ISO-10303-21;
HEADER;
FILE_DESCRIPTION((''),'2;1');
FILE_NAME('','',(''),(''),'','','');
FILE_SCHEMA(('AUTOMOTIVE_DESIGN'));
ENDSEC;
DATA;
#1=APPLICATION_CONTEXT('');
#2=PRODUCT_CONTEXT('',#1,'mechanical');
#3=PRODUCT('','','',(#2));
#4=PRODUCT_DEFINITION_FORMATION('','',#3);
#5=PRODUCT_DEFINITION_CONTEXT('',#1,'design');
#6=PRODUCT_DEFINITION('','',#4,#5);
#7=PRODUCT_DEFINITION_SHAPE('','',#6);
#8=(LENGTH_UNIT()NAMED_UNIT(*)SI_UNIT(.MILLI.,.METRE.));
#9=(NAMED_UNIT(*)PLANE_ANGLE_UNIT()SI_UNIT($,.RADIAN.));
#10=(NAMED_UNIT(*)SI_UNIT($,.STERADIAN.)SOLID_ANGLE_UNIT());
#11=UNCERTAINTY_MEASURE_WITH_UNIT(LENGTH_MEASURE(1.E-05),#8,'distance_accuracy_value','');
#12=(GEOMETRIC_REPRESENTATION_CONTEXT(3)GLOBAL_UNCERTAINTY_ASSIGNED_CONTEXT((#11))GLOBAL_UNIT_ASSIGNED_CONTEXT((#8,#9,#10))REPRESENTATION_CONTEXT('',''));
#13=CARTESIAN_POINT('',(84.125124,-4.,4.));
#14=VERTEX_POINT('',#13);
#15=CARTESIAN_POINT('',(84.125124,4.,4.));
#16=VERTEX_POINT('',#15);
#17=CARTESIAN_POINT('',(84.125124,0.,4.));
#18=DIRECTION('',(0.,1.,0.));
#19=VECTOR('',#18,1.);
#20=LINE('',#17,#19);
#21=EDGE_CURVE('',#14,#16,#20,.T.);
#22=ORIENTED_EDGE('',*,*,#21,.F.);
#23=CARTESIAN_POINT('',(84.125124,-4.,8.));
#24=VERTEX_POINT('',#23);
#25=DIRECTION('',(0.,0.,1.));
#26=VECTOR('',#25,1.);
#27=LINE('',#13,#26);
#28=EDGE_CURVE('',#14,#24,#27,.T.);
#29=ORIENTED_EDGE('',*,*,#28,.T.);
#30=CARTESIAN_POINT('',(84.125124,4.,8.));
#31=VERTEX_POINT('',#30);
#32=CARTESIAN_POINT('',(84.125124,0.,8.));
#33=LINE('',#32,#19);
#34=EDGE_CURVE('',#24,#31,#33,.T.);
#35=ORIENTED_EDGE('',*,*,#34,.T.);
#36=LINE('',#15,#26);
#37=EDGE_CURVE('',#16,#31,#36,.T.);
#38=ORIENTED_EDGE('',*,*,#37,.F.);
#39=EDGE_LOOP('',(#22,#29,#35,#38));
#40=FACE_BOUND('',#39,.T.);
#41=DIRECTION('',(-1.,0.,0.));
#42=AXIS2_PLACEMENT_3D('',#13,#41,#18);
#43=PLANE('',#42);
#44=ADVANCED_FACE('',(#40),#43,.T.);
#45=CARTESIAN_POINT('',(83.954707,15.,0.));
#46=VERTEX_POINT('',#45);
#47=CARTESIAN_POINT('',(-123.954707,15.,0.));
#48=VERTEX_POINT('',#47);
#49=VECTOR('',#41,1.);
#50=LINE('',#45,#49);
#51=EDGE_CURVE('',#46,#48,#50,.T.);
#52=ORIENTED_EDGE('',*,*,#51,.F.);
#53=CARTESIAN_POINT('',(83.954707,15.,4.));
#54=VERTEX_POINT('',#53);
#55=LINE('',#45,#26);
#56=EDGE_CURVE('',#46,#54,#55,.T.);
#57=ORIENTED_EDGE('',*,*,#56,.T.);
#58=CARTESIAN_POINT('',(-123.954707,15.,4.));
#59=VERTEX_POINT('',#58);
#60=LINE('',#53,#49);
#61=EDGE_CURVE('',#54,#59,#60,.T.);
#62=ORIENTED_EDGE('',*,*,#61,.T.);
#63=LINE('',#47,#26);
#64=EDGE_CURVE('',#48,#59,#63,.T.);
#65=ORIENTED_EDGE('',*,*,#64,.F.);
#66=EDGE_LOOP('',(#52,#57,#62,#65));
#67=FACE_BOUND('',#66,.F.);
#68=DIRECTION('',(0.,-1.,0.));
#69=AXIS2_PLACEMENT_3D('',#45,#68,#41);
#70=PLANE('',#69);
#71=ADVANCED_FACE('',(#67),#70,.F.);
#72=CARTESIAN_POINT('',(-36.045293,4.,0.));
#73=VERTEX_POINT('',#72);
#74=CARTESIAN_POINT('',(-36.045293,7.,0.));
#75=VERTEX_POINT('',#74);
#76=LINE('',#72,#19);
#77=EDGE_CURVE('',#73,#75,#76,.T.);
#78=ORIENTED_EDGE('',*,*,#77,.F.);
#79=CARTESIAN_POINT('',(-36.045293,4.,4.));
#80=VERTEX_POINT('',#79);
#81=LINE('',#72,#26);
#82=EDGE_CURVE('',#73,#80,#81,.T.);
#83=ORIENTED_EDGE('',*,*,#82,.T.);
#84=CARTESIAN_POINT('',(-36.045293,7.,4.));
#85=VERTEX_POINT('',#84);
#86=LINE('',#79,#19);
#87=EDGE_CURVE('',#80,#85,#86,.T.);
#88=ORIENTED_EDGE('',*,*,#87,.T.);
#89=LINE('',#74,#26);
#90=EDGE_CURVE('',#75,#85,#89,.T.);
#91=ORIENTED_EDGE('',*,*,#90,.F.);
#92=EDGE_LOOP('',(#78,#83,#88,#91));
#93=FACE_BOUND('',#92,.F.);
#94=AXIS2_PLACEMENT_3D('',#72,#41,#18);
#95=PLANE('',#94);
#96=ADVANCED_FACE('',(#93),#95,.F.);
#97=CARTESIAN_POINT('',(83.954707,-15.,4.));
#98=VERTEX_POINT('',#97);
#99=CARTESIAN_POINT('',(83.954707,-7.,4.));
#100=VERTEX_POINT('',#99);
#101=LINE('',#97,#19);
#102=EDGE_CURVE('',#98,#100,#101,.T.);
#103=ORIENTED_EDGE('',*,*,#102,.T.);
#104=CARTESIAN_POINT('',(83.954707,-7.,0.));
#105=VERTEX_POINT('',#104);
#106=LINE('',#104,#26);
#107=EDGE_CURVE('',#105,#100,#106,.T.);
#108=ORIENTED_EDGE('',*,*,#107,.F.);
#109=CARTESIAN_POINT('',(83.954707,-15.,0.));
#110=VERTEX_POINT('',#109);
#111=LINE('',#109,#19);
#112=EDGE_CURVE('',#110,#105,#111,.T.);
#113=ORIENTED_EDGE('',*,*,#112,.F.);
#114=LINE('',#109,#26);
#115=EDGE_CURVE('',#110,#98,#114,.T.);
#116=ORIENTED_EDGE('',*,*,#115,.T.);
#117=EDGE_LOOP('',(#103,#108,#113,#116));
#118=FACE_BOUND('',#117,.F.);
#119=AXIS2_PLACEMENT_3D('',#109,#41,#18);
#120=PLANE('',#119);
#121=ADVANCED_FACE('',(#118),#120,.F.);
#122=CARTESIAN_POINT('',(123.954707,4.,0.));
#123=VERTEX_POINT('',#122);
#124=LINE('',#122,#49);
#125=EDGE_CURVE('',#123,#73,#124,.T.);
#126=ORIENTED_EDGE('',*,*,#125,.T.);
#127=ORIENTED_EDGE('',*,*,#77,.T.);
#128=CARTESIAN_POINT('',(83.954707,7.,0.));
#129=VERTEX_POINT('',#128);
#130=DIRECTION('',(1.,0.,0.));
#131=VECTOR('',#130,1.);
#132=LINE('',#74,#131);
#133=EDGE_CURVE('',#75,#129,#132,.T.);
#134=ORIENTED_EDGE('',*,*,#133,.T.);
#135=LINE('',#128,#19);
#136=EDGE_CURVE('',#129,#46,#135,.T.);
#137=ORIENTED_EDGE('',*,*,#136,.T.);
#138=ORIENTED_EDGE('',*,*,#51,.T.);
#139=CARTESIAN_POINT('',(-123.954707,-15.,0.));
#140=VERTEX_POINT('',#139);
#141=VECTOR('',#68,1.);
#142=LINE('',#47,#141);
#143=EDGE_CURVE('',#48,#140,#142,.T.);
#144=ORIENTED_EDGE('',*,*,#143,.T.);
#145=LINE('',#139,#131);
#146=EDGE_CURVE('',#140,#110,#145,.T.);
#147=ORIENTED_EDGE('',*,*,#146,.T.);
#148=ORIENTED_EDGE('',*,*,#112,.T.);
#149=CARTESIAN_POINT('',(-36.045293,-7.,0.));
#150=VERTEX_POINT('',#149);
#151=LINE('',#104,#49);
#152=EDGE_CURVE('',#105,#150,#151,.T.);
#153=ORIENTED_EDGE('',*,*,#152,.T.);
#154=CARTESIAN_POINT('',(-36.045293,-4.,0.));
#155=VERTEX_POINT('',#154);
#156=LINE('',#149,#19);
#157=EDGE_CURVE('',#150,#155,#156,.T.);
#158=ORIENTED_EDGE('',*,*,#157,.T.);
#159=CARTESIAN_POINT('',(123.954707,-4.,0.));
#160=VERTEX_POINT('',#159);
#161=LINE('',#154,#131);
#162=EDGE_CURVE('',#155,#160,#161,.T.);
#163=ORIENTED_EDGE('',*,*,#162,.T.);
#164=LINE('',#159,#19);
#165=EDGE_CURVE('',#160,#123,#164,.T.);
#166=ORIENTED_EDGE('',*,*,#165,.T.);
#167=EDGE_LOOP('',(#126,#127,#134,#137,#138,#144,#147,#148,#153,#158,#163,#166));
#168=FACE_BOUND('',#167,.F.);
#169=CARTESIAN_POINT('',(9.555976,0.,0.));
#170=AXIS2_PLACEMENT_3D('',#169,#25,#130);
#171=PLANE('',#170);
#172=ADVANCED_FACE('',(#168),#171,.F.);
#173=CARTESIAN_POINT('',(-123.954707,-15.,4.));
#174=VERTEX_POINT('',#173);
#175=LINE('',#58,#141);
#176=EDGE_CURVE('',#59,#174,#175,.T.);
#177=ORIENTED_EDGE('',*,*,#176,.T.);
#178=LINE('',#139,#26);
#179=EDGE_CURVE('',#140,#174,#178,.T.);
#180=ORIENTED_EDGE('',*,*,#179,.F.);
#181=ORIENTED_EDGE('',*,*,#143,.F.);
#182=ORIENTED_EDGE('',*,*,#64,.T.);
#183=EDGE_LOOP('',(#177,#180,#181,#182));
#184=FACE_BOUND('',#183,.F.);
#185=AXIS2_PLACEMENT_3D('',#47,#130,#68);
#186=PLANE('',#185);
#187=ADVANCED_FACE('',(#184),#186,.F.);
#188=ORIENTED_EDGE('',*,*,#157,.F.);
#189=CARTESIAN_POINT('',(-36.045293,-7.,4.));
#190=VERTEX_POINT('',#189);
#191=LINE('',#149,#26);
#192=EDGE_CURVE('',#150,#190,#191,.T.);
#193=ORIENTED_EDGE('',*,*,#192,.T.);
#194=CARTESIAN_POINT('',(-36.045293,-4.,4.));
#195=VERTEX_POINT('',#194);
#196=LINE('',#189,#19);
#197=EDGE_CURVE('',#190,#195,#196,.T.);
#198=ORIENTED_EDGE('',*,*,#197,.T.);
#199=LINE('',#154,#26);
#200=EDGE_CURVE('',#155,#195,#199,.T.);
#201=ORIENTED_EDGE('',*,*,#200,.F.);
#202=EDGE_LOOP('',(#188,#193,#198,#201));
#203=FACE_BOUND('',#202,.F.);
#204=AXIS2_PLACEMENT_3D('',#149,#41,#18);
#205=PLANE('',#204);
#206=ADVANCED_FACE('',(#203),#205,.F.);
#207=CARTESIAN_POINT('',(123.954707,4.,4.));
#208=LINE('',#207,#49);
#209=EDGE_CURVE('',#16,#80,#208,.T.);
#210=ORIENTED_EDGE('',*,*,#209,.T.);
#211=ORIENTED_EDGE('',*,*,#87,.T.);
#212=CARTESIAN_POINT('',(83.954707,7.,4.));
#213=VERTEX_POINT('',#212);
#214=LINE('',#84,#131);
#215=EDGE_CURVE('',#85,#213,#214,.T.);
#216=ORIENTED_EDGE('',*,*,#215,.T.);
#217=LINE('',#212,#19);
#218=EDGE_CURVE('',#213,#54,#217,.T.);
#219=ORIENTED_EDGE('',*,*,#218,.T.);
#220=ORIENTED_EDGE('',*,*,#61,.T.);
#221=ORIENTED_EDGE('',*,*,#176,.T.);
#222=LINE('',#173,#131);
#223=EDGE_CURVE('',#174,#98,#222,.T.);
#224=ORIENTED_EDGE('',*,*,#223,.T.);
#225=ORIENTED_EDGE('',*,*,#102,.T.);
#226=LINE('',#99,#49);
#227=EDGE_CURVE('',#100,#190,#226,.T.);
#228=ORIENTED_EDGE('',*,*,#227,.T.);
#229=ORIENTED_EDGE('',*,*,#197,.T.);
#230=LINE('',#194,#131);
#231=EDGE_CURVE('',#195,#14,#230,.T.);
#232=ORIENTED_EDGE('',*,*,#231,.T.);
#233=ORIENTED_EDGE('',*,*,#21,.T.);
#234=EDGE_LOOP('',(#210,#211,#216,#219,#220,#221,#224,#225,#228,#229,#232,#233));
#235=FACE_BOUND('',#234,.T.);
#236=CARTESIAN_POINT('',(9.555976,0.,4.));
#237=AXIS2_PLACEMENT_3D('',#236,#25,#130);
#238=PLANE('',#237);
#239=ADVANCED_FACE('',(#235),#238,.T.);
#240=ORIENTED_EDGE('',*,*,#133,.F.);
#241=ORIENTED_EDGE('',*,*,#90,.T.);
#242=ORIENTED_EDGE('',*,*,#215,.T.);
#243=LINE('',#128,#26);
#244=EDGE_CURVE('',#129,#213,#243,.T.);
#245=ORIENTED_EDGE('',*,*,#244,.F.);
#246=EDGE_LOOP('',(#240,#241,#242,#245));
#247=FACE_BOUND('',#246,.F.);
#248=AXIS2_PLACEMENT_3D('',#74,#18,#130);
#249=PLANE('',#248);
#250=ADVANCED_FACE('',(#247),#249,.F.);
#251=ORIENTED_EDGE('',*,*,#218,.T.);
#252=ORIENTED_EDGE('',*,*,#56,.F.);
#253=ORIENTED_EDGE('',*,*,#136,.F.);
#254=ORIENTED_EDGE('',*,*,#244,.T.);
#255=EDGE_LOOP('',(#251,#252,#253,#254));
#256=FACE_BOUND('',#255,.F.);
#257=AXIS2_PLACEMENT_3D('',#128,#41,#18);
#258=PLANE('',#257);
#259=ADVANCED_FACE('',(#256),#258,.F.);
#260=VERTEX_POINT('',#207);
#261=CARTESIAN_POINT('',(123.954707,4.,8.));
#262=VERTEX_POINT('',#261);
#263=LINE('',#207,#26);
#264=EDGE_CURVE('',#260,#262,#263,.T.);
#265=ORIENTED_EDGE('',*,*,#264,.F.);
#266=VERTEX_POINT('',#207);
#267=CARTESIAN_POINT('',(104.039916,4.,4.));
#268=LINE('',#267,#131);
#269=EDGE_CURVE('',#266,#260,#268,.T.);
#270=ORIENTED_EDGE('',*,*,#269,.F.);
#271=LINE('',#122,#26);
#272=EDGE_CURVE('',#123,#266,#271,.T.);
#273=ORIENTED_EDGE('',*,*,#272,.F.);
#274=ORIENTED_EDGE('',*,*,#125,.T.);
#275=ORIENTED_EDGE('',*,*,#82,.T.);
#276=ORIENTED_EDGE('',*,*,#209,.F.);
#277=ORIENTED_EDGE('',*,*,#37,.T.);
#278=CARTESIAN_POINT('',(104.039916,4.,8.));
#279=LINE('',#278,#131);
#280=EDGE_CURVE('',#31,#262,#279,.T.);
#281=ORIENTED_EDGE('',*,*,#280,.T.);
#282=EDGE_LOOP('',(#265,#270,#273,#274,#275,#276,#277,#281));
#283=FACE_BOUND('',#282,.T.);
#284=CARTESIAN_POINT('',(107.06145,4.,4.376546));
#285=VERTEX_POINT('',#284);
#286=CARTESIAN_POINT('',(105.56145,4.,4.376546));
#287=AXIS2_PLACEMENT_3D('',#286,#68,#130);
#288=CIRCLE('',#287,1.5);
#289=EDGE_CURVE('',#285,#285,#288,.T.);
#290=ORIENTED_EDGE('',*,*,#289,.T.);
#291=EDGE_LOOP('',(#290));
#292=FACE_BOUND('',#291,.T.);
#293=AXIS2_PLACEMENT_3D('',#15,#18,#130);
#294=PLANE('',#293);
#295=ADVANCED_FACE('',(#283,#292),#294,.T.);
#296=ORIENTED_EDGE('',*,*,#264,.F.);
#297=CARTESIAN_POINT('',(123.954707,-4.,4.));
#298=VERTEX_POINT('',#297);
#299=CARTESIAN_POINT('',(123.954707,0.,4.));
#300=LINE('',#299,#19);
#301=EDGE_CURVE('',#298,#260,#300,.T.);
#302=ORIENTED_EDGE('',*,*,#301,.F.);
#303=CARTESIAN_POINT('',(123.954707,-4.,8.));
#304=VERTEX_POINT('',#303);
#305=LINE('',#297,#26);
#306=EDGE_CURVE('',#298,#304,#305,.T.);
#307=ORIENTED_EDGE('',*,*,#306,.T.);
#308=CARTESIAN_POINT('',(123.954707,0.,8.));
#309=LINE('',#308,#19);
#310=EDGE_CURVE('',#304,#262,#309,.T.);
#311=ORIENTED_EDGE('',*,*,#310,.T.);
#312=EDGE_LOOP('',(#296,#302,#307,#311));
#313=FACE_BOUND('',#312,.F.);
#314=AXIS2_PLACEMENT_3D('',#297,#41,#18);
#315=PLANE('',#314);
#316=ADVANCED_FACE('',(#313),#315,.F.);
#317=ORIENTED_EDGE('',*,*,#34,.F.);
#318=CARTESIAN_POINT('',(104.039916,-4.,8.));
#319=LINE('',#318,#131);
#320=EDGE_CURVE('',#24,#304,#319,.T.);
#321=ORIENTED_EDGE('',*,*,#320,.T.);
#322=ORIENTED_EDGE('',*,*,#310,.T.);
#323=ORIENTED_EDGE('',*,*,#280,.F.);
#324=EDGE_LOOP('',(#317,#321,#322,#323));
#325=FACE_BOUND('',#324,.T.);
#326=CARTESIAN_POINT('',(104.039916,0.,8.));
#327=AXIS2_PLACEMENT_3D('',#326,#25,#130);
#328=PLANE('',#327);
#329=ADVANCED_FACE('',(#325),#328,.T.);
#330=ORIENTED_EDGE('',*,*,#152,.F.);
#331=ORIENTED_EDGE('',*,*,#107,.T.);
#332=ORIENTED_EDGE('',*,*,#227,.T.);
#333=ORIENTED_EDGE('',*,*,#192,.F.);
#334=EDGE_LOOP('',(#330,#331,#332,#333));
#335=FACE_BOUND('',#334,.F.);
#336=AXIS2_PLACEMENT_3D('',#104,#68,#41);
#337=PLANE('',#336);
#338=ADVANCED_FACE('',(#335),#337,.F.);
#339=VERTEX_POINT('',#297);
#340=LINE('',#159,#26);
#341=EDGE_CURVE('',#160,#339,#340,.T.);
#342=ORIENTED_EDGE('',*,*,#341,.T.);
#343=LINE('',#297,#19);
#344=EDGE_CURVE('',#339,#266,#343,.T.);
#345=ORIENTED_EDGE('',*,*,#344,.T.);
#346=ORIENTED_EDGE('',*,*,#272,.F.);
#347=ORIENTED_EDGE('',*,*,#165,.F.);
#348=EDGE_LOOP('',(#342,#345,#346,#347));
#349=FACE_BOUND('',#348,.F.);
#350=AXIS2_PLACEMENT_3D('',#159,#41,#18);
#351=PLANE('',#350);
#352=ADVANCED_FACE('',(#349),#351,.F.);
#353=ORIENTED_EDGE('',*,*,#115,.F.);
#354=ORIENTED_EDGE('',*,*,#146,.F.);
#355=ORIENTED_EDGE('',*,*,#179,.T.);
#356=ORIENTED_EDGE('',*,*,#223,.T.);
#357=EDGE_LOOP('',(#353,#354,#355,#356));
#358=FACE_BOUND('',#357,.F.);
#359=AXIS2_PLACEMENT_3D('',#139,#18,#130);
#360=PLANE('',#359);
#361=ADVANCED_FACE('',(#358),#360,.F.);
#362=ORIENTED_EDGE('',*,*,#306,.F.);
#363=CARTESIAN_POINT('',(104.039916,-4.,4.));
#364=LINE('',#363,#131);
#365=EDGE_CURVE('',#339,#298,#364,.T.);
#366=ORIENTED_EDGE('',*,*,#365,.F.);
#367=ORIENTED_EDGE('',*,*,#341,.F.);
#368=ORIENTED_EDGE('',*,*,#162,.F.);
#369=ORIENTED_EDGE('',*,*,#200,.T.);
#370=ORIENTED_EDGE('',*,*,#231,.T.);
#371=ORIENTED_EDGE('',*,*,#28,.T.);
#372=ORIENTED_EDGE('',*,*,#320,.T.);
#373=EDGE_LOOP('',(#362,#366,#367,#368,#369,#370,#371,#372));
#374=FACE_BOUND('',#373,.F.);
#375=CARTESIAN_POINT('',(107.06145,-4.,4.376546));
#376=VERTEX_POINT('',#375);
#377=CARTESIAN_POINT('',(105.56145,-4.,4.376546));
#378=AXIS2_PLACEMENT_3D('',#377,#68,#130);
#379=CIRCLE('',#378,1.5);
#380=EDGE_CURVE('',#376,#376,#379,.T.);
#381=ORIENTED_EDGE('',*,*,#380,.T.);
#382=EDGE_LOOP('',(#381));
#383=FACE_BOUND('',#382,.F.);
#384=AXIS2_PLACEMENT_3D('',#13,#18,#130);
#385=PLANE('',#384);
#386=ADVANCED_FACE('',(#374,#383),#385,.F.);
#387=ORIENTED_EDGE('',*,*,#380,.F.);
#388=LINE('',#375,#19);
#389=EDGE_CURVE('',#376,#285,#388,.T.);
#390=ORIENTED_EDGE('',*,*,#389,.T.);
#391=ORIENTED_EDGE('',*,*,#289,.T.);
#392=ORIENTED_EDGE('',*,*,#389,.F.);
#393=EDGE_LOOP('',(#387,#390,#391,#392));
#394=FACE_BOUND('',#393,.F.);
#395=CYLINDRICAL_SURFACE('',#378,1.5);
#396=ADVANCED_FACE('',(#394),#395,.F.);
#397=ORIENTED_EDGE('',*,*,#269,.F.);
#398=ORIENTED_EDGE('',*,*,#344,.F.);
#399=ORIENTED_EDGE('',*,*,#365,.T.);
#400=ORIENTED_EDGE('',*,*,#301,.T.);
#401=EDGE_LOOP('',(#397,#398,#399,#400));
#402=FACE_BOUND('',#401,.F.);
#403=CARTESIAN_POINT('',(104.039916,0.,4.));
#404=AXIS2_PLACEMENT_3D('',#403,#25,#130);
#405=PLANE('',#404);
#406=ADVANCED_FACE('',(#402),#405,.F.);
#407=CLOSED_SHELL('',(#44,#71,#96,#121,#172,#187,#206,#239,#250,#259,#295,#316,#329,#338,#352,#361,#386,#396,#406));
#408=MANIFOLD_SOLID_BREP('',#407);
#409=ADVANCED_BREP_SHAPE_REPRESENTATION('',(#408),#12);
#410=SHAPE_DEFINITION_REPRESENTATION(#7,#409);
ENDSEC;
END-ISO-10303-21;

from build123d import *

# Parameters (mm, degrees)
F1_DEPTH = 4
F2_W     = 39.829583
F2_H     = 8
F3_DEPTH = 4
F4_R     = 1.5
F5_DEPTH = 25


with BuildPart() as f1:
    # F0 (on Top) → F1 (new body)
    with BuildSketch(Plane.XY):
        Polygon((-123.954707, -15), (83.954707, -15), (83.954707, -7), (-36.045293, -7), (-36.045293, -4), (123.954707, -4), (123.954707, 4), (-36.045293, 4), (-36.045293, 7), (83.954707, 7), (83.954707, 15), (-123.954707, 15), align=None)
    extrude(amount=F1_DEPTH)

    # F2 (on face) → F3 (join)
    with BuildSketch(Plane.XY.offset(4)):
        with Locations((104.039916, 0)):
            Rectangle(F2_W, F2_H)
    extrude(amount=F3_DEPTH)

    # F4 (on face) → F5 (cut)
    with BuildSketch(Plane.XZ.offset(4)):
        with Locations((105.56145, 4.376546)):
            Circle(F4_R)
    extrude(amount=-F5_DEPTH, mode=Mode.SUBTRACT)


solid = f1.part
